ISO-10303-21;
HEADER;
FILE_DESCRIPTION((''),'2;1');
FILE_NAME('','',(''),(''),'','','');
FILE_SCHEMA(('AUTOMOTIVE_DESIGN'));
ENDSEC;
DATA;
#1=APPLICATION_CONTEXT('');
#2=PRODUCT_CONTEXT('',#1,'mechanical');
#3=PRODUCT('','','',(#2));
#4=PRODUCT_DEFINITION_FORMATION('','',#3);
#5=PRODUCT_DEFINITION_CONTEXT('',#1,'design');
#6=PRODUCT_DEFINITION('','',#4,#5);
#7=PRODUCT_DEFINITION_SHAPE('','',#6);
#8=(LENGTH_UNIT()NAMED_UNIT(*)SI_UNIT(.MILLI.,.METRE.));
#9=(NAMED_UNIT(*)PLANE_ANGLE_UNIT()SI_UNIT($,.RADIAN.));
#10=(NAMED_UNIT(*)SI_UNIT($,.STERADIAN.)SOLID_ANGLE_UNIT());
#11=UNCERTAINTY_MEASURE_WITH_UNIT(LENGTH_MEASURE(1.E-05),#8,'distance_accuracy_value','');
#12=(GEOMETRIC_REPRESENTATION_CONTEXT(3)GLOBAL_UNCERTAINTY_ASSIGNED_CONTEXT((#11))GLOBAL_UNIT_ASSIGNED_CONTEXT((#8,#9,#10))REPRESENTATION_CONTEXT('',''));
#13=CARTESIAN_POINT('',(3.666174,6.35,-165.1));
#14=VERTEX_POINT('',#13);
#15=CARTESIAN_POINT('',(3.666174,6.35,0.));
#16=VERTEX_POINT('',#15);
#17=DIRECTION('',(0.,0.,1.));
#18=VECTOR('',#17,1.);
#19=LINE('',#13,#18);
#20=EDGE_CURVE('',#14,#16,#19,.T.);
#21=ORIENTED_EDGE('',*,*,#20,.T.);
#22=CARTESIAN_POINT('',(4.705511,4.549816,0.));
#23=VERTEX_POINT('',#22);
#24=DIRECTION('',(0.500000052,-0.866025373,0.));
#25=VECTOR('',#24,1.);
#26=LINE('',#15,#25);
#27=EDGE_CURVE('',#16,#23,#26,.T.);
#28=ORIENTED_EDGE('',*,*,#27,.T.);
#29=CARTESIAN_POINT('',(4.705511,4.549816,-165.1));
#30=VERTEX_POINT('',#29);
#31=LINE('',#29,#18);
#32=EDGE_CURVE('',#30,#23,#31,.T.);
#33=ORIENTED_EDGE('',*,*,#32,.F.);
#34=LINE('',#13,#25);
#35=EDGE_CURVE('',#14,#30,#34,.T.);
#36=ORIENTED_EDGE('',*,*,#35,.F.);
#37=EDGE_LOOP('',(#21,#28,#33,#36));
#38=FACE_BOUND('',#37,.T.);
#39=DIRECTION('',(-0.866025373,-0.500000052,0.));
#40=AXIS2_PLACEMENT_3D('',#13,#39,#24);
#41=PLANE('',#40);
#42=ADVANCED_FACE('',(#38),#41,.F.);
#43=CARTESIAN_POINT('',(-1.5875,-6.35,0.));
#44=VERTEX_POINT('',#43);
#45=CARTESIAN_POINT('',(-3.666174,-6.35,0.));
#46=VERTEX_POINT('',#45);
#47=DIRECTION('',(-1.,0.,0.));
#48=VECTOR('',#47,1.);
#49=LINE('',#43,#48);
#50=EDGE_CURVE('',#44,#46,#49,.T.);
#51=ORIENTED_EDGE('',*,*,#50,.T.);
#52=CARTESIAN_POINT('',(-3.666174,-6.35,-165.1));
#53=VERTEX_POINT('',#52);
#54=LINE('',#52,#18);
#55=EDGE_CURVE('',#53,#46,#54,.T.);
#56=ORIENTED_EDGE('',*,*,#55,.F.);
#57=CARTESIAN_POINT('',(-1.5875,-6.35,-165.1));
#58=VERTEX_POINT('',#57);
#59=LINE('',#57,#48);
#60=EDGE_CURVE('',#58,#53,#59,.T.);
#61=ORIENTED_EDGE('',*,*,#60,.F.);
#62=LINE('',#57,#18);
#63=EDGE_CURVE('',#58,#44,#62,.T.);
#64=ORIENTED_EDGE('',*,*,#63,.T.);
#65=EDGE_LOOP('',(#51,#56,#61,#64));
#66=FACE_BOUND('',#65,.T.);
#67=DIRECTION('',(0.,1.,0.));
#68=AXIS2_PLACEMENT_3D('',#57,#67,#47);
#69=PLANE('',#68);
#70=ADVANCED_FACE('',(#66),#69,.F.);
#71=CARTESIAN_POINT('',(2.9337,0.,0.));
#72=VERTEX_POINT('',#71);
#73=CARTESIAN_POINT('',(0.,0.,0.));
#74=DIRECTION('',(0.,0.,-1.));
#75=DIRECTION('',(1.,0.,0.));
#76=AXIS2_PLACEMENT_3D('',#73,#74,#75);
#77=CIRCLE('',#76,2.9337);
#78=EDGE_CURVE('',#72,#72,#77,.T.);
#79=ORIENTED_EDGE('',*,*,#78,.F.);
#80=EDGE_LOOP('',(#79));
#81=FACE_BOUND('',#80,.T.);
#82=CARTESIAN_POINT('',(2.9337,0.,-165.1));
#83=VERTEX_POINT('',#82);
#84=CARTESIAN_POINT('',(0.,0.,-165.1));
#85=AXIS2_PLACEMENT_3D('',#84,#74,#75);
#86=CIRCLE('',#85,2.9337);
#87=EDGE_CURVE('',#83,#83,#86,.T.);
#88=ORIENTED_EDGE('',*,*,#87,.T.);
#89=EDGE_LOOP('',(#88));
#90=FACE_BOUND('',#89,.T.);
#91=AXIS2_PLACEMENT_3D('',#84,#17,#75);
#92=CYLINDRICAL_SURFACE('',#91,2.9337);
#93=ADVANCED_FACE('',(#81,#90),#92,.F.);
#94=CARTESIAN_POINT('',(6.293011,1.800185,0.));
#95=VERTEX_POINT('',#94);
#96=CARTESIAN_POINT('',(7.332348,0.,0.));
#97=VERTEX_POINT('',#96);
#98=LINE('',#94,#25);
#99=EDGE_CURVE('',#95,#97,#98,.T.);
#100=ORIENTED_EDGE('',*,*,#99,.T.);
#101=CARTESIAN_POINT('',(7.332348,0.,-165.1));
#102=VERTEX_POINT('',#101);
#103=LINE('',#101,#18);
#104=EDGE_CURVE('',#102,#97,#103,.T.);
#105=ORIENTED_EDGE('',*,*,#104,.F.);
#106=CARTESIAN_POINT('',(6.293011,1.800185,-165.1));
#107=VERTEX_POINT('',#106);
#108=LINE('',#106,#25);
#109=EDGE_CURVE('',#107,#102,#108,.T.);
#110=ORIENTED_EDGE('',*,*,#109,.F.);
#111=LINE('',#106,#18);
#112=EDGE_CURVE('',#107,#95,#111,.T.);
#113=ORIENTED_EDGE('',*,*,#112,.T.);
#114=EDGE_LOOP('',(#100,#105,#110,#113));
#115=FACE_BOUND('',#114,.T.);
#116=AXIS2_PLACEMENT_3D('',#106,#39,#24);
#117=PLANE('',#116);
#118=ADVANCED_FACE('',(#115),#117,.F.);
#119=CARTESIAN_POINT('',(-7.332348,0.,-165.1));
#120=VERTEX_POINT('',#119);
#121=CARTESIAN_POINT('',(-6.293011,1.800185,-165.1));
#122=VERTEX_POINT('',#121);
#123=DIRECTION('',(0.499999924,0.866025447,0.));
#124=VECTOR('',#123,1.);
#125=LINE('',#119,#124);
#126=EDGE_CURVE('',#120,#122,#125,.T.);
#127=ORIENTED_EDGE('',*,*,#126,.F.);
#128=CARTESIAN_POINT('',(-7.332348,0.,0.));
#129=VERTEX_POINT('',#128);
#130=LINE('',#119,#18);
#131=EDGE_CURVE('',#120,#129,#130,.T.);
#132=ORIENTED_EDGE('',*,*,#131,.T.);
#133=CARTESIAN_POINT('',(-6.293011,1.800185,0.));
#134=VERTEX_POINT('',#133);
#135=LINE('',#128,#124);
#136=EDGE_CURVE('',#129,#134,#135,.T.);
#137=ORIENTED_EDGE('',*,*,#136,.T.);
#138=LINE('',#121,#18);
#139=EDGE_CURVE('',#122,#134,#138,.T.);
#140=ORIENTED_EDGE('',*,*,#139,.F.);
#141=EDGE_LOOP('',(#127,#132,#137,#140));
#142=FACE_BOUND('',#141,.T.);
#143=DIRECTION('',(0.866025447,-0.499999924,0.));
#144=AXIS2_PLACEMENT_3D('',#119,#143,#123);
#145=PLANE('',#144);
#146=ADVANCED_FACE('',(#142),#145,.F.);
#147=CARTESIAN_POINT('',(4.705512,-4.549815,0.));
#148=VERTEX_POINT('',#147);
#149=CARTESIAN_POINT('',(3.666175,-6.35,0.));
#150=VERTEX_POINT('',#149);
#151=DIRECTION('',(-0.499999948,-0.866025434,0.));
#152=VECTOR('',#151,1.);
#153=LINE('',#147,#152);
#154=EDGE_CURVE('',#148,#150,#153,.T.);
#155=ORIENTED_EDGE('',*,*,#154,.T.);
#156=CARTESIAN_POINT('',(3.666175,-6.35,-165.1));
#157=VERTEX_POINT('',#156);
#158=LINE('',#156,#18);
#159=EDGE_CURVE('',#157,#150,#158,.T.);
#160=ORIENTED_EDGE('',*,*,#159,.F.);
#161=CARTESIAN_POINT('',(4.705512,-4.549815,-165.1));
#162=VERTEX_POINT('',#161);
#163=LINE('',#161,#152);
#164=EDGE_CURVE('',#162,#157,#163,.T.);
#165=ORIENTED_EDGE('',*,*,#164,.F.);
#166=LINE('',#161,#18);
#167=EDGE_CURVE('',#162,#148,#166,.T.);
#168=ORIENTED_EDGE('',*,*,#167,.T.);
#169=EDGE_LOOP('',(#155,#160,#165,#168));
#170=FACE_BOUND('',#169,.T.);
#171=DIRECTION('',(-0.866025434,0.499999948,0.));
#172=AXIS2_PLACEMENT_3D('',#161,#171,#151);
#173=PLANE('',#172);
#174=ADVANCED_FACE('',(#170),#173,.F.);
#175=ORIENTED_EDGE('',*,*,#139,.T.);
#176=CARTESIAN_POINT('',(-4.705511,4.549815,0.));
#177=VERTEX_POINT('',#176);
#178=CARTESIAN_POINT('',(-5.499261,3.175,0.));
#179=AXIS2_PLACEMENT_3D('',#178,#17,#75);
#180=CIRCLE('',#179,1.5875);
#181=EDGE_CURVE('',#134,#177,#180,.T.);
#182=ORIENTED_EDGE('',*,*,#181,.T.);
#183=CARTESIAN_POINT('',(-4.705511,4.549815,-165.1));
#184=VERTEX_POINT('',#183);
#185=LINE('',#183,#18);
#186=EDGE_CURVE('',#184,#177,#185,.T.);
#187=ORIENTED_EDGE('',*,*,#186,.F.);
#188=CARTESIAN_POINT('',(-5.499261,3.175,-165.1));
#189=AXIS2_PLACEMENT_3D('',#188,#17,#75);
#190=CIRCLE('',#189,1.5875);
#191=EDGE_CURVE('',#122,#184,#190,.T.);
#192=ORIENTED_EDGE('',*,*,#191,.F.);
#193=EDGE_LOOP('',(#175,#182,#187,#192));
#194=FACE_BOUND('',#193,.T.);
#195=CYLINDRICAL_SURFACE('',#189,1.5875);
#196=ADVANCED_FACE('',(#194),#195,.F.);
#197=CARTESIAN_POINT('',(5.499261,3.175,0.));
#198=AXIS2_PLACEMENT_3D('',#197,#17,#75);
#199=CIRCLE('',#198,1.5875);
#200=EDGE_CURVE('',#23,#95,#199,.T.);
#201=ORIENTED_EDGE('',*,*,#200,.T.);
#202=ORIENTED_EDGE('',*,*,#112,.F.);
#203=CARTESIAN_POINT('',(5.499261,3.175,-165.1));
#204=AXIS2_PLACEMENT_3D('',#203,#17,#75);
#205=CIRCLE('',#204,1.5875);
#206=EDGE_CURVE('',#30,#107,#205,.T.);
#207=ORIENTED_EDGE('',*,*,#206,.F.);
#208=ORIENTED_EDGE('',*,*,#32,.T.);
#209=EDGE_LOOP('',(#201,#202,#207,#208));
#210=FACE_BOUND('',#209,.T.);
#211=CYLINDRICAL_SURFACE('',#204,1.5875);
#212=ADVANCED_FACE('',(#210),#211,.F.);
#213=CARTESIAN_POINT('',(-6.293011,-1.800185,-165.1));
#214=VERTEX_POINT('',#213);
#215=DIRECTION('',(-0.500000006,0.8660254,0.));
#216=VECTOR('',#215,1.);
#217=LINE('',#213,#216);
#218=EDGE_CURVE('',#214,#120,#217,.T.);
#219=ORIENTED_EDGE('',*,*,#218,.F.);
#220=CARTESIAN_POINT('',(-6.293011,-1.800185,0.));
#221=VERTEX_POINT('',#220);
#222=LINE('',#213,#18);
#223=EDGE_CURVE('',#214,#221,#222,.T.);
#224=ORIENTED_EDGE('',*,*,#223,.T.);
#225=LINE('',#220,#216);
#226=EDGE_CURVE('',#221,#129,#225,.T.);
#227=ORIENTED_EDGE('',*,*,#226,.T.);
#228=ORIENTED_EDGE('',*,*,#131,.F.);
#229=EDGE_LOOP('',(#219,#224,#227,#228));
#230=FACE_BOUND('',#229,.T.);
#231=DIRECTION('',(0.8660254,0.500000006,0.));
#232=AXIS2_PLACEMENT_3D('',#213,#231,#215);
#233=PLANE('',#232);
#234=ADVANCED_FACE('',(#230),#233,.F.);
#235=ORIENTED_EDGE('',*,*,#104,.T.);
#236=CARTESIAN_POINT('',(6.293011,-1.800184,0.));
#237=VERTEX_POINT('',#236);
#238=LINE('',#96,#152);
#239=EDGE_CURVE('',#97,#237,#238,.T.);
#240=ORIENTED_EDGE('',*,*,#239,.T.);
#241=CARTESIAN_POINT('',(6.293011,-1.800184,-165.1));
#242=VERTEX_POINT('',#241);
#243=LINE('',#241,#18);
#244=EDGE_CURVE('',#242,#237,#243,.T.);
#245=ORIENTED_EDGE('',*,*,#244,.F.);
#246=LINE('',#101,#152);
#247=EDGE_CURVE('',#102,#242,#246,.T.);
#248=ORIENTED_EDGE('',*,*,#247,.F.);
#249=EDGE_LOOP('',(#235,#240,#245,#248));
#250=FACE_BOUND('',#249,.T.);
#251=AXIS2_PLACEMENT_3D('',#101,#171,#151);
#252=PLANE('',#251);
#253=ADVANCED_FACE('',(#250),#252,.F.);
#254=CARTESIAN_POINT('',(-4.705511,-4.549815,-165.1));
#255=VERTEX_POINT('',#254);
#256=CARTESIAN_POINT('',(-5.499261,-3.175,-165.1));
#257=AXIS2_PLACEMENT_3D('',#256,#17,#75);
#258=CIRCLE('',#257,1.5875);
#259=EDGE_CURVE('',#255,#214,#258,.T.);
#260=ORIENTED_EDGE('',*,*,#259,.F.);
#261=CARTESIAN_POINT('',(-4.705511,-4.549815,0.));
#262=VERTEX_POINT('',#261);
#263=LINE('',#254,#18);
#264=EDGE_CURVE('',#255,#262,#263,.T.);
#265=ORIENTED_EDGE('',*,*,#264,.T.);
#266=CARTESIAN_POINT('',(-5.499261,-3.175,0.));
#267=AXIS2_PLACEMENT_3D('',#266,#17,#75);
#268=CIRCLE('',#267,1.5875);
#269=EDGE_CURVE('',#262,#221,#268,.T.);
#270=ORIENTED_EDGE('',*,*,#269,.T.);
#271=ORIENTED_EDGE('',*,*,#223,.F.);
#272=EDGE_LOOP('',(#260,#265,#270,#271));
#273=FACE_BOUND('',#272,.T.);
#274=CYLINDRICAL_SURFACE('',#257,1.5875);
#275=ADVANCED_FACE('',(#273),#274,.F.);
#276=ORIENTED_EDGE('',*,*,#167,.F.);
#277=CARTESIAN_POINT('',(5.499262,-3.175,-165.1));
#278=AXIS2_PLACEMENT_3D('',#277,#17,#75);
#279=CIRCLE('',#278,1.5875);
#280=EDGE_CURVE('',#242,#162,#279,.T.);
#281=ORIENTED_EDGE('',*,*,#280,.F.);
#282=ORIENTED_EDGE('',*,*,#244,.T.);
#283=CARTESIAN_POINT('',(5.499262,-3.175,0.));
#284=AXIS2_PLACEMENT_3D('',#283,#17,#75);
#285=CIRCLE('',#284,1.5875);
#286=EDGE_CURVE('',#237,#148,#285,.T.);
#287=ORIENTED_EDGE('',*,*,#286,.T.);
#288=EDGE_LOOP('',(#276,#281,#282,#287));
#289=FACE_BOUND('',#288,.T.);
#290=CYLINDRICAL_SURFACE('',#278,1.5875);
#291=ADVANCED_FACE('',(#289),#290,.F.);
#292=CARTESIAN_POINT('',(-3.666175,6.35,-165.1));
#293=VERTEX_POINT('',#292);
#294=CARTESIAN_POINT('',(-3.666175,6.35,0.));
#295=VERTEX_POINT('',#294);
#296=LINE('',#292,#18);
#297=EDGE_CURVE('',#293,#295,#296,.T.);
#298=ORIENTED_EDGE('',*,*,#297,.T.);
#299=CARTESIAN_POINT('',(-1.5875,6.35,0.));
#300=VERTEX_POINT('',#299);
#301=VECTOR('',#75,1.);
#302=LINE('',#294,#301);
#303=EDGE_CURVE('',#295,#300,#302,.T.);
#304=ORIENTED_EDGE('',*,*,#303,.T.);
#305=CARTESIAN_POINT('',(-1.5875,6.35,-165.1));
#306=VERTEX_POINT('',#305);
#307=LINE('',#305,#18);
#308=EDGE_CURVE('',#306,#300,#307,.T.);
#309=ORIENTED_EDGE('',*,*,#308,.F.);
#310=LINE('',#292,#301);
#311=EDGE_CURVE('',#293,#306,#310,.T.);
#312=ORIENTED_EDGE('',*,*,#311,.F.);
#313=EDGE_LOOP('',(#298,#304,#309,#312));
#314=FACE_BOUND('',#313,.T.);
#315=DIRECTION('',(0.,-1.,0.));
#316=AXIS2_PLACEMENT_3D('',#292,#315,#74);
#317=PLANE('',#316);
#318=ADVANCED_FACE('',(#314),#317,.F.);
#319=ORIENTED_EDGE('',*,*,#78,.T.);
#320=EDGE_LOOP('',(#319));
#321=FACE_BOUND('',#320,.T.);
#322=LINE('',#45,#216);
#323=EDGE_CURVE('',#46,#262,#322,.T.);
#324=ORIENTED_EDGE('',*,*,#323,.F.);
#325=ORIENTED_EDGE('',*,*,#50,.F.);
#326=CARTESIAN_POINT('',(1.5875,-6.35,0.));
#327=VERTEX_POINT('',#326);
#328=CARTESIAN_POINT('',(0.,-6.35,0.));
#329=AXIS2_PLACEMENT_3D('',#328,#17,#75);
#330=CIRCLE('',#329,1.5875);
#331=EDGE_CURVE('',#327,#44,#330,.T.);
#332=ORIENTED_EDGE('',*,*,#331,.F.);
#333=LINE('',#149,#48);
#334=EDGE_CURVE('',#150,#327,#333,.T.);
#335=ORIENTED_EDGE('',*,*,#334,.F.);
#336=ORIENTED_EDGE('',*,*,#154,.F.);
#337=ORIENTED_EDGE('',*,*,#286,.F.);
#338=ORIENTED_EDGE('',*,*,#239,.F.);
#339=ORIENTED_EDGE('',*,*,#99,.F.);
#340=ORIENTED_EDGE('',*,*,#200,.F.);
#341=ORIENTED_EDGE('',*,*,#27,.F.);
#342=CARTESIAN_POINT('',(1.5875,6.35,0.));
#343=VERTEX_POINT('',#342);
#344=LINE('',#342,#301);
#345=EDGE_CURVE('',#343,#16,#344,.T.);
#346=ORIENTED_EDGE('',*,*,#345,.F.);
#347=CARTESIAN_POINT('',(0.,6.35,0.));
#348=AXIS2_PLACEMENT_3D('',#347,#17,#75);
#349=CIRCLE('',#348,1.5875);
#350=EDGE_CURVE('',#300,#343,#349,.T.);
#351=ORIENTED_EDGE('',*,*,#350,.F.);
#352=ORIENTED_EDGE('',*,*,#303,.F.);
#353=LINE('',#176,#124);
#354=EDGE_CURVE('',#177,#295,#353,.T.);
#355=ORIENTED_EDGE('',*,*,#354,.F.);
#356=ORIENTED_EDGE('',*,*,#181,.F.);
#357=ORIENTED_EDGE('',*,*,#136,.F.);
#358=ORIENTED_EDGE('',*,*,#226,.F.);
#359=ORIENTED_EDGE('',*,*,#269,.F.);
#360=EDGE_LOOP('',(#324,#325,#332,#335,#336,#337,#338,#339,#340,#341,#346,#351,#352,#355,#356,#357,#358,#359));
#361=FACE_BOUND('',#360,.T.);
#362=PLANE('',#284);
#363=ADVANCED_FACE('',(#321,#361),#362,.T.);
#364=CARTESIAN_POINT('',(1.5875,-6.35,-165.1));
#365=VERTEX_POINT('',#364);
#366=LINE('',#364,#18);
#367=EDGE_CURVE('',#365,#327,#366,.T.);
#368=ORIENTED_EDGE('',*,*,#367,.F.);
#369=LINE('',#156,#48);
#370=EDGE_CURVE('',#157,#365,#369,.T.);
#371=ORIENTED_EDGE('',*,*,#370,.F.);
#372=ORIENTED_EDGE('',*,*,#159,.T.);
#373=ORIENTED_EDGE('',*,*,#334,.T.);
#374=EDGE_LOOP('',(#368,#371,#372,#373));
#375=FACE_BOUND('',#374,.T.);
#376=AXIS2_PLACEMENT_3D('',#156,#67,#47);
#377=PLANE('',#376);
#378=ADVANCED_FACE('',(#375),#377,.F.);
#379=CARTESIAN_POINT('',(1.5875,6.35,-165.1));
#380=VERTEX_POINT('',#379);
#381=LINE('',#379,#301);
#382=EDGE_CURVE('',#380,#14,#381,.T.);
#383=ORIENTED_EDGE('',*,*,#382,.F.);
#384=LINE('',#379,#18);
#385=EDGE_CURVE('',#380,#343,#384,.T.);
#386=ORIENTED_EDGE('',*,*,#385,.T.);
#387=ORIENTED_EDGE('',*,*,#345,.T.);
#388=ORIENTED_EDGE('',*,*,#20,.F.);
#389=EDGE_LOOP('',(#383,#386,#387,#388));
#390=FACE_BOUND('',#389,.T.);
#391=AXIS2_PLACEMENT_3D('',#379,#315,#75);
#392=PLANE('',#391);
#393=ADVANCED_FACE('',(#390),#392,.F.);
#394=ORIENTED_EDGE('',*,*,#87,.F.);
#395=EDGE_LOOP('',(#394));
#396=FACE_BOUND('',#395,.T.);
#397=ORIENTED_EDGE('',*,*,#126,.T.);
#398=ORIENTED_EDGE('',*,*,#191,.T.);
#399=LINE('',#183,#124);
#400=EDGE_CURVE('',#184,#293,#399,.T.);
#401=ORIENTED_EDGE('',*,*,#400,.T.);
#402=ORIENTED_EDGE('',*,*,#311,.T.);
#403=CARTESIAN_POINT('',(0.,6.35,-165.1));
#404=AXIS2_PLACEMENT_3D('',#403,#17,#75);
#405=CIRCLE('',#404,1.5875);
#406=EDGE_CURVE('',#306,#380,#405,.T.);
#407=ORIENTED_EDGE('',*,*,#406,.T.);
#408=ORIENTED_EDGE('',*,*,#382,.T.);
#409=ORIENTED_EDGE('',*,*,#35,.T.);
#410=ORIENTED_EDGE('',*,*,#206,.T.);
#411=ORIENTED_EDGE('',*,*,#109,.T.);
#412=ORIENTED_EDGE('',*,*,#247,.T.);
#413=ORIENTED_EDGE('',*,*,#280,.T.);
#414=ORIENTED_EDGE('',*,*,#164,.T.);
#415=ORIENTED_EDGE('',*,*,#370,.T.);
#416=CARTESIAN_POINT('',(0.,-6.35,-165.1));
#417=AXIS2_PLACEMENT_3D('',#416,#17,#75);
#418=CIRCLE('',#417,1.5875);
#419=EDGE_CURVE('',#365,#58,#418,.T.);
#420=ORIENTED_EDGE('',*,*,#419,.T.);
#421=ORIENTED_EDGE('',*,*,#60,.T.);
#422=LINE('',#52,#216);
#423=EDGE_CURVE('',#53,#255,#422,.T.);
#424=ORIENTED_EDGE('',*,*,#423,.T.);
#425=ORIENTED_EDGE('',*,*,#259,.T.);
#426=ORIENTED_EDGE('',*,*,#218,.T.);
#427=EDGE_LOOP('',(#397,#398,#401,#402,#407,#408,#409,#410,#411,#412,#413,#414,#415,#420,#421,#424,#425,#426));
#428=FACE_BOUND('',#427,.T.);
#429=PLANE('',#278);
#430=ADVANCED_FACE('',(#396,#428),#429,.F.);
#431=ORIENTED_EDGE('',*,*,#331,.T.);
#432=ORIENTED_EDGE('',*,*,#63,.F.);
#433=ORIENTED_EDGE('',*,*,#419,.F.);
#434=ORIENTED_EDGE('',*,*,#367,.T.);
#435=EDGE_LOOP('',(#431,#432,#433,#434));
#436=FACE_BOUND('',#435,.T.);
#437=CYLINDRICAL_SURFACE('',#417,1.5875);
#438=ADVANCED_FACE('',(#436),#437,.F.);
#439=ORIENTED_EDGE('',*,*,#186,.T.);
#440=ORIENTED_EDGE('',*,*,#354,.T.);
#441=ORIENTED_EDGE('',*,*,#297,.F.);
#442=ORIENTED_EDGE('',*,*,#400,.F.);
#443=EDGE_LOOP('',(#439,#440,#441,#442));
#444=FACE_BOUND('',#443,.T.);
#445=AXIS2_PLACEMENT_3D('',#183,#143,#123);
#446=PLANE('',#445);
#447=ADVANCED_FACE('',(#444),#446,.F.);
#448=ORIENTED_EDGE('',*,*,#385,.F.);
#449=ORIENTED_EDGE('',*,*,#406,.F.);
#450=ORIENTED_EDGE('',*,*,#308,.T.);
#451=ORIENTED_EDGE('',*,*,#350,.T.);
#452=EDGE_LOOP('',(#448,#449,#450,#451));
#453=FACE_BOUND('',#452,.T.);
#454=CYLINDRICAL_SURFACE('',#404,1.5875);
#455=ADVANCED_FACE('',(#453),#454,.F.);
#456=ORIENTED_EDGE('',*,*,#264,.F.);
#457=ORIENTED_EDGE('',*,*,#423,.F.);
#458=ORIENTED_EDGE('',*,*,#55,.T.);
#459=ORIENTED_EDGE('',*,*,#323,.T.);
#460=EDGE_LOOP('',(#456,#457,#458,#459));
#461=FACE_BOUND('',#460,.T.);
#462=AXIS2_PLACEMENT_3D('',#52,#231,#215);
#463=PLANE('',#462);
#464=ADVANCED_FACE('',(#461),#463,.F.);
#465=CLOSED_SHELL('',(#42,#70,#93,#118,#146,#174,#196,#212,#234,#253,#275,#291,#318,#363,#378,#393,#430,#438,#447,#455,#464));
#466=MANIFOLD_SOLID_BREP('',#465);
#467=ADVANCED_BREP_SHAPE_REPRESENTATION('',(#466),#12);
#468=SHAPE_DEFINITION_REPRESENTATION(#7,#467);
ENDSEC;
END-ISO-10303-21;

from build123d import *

# Parameters (mm, degrees)
SKETCH1_R           = 2.9337
BOSS_EXTRUDE1_DEPTH = 165.1


with BuildPart() as part:
    # Sketch1 → Boss-Extrude1 (new body)
    with BuildSketch(Plane(origin=(0, 0, 0), x_dir=(-1, 0, 0), z_dir=(0, 0, -1))):
        with BuildLine():
            Line((-4.70551159, -4.549815043), (-3.666174521, -6.349999904))
            Line((-3.666174521, -6.349999904), (-1.587500385, -6.349999904))
            ThreePointArc((-1.587500385, -6.349999904), (-3.85e-07, -4.762499904), (1.587499615, -6.349999904))
            Line((1.587499615, -6.349999904), (3.666173825, -6.349999904))
            Line((3.666173825, -6.349999904), (4.705510942, -4.54981524))
            ThreePointArc((4.705510942, -4.54981524), (4.124445629, -2.381249907), (6.293010962, -1.800184594))
            Line((6.293010962, -1.800184594), (7.332348079, 7e-08))
            Line((7.332348079, 7e-08), (6.293011217, 1.800184685))
            ThreePointArc((6.293011217, 1.800184685), (4.124445939, 2.381250203), (4.705511457, 4.549815481))
            Line((4.705511457, 4.549815481), (3.666174521, 6.350000222))
            Line((3.666174521, 6.350000222), (1.587500385, 6.350000222))
            ThreePointArc((1.587500385, 6.350000222), (3.85e-07, 4.762500222), (-1.587499615, 6.350000222))
            Line((-1.587499615, 6.350000222), (-3.666173825, 6.350000222))
            Line((-3.666173825, 6.350000222), (-4.705511038, 4.549815614))
            ThreePointArc((-4.705511038, 4.549815614), (-4.124445841, 2.38125025), (-6.293011205, 1.800185053))
            Line((-6.293011205, 1.800185053), (-7.332348419, 4.44e-07))
            Line((-7.332348419, 4.44e-07), (-6.293011423, -1.80018429))
            ThreePointArc((-6.293011423, -1.80018429), (-4.12444613, -2.38124975), (-4.70551159, -4.549815043))
        make_face()
        with Locations(Location((0, 0, 0), (0, 0, 180))):
            Circle(SKETCH1_R, mode=Mode.SUBTRACT)
    extrude(amount=BOSS_EXTRUDE1_DEPTH)


solid = part.part
